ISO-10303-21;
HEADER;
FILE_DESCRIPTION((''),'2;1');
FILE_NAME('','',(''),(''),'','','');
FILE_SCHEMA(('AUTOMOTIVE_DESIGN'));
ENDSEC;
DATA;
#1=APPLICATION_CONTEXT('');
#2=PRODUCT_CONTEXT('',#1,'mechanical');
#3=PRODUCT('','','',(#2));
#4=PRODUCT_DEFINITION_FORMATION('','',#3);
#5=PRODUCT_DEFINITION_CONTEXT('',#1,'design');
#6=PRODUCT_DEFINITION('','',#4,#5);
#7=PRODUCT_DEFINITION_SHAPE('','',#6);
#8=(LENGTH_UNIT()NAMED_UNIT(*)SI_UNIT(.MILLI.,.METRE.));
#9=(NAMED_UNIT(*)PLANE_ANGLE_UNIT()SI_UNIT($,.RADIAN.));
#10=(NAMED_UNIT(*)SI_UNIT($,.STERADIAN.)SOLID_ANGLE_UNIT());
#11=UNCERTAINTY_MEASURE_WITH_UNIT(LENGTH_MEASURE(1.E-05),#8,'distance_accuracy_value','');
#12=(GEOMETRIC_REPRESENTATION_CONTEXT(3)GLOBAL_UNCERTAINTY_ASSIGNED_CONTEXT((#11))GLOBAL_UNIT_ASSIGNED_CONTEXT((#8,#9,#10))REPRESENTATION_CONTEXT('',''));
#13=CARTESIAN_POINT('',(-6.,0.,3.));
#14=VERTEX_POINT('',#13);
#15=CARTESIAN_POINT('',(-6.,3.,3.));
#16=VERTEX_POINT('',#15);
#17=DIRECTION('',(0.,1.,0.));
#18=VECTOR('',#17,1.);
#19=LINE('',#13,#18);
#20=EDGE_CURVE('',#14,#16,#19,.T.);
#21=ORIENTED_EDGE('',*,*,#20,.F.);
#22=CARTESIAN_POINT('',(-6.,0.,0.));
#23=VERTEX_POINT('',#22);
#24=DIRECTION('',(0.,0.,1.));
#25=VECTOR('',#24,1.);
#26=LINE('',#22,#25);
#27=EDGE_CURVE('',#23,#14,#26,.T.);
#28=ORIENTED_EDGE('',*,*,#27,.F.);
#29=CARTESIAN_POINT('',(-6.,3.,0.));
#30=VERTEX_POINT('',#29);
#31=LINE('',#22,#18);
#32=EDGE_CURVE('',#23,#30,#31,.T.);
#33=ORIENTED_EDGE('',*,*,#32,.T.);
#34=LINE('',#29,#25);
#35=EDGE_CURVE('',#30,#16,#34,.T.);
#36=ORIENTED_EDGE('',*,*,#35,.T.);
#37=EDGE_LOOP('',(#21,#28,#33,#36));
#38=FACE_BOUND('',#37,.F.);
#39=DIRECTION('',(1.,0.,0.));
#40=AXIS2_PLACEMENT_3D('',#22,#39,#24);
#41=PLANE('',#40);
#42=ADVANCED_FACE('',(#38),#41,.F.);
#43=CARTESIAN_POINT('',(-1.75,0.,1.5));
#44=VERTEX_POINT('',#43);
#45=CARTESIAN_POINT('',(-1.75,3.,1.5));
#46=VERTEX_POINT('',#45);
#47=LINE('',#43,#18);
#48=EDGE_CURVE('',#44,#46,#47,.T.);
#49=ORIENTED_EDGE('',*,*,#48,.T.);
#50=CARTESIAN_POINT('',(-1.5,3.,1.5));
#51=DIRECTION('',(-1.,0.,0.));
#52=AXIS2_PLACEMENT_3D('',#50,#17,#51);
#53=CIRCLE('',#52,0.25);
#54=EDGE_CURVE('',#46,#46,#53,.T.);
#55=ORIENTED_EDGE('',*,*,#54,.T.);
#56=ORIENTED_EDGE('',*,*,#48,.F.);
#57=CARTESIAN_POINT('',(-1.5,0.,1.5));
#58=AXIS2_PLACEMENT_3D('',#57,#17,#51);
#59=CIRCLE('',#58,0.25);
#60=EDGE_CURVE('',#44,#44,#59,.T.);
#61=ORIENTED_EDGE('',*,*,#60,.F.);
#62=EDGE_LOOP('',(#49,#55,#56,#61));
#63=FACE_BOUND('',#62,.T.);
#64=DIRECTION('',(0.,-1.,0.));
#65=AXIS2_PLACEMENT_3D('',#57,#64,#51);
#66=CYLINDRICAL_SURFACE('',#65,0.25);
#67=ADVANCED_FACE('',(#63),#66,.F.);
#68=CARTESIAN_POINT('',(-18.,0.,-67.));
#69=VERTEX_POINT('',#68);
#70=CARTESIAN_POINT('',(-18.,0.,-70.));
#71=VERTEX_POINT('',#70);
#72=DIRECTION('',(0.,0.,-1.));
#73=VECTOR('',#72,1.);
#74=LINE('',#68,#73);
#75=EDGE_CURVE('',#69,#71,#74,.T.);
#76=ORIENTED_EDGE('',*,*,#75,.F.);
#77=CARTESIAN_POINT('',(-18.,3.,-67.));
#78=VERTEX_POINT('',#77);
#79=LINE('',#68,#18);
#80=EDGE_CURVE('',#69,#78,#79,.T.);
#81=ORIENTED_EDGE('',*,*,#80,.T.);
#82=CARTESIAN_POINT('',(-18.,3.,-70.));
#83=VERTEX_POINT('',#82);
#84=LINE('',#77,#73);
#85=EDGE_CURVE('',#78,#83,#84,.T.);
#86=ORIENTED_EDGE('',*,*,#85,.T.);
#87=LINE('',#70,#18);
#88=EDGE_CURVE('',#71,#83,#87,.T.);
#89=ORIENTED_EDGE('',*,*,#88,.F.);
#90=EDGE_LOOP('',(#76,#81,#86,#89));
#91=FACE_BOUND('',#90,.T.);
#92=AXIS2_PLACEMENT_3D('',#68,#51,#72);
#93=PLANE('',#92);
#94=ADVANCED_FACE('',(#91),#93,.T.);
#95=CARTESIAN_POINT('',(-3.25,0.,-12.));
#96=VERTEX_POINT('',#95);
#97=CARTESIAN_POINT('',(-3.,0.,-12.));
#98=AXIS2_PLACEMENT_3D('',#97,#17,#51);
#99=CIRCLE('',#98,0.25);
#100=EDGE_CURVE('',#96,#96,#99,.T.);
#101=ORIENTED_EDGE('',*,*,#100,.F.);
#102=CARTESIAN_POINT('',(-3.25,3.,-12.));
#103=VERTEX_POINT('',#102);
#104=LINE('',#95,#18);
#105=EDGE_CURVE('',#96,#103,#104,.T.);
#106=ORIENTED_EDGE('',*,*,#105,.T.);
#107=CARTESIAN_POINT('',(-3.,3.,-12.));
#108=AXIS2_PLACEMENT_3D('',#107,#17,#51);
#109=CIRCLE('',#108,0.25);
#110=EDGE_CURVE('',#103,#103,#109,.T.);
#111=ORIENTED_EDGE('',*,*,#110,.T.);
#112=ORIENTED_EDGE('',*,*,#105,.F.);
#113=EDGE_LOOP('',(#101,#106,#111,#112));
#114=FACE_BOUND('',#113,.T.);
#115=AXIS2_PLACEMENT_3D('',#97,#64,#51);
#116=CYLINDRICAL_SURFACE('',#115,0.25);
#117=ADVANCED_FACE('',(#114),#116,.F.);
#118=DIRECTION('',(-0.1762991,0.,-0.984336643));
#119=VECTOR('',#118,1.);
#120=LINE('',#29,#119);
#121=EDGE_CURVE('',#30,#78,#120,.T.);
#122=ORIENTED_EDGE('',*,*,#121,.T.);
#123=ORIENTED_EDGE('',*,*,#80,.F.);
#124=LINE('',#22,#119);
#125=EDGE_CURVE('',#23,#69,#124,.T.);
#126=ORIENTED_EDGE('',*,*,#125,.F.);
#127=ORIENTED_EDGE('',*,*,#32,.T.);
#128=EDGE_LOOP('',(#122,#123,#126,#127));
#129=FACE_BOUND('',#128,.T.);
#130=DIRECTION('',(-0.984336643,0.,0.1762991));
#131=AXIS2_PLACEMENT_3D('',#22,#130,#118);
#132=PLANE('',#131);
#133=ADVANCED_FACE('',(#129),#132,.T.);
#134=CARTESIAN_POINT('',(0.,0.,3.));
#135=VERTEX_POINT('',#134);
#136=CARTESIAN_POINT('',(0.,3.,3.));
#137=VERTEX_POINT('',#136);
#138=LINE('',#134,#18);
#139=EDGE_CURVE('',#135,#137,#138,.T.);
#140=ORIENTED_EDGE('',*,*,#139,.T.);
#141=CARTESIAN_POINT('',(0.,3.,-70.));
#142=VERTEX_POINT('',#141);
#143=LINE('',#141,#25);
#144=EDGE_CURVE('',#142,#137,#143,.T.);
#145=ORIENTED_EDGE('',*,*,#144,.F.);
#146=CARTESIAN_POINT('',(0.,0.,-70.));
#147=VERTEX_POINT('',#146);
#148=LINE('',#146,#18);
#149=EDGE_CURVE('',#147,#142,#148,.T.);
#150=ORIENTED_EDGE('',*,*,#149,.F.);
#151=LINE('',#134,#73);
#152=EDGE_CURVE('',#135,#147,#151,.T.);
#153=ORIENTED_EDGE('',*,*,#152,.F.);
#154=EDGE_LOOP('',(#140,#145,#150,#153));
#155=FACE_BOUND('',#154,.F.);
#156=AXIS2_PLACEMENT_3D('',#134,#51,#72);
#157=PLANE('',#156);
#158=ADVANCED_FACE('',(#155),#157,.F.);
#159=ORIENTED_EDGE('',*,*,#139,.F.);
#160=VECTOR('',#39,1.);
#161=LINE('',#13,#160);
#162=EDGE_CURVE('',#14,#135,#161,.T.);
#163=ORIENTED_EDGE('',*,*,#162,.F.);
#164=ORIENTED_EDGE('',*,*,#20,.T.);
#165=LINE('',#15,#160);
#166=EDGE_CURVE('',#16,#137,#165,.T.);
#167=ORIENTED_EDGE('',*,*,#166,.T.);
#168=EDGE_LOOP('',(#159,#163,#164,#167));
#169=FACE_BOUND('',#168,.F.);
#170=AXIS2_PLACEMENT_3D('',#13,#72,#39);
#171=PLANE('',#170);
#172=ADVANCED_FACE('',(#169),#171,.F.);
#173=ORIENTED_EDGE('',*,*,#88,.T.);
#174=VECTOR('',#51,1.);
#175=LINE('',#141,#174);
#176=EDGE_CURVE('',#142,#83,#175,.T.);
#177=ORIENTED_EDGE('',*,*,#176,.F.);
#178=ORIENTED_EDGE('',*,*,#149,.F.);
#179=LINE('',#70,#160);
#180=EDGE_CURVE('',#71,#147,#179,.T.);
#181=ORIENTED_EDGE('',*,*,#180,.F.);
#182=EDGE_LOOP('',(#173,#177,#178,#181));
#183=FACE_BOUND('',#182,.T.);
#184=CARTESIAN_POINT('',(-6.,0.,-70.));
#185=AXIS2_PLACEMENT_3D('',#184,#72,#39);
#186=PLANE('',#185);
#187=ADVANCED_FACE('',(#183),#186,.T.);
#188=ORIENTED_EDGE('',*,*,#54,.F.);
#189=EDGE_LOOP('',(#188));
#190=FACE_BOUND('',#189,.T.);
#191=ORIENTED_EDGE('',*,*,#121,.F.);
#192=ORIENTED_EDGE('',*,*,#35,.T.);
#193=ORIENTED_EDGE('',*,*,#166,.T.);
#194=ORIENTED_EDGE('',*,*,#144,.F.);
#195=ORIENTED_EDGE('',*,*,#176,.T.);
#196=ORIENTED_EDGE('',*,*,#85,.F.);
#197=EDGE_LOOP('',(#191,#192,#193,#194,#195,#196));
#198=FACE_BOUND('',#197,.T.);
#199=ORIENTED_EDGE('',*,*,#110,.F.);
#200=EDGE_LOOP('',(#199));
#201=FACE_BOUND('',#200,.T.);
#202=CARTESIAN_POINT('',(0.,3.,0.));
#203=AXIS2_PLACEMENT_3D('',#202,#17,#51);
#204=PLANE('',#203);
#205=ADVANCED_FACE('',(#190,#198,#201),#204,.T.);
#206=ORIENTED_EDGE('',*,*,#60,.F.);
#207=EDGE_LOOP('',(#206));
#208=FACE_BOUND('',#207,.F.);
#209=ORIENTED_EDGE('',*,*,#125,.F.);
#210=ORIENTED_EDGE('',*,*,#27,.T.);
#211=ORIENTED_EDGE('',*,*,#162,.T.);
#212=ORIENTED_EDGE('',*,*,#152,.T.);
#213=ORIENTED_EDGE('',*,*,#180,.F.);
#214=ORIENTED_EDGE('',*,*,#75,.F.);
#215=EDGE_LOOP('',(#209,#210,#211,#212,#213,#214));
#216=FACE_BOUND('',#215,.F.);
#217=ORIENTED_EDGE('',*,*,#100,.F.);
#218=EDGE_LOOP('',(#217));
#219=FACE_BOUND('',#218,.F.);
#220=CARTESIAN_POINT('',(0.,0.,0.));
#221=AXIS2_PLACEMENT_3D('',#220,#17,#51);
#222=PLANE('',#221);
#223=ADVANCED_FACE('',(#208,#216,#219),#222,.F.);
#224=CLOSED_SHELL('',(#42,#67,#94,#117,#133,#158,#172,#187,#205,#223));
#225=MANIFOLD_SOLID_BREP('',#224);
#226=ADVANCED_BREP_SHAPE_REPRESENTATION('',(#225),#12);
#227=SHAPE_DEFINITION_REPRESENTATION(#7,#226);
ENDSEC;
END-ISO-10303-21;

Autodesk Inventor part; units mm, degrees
ref_plane "YZ Plane" through (0, 0, 0) normal (1, 0, 0) x (0, 1, 0)
ref_plane "XZ Plane" through (0, 0, 0) normal (0, 1, 0) x (-1, 0, 0)
ref_plane "XY Plane" through (0, 0, 0) normal (0, 0, 1) x (1, 0, 0)
sketch "草圖1" plane through (0, 0, 0) normal (0, 1, 0) x (-1, 0, 0)
  line L0 (0, 0) -> (6, 0)
  line L1 (6, 0) -> (6, -70)
  line L2 (6, -70) -> (0, -70)
  line L3 (0, -70) -> (0, 0)
  line L4 (0, 0) -> (6, 0)
  line L5 (6, 0) -> (6, 3)
  line L6 (6, 3) -> (0, 3)
  line L7 (0, 3) -> (0, 0)
  line L8 (6, 0) -> (18, -67)
  line L9 (18, -67) -> (18, -70)
  line L10 (18, -70) -> (6, -70)
  circle A0 centre (1.5, 1.5) radius 0.25
  circle A1 centre (3, -12) radius 0.25
  point P0 (6, 1.5)
  dimension "d0" = 70
  dimension "d1" = 6
  dimension "d2" = 3
  dimension "d5" = 12
  dimension "d6" = 3
  dimension "d7" = 0.5
  dimension "d8" = 0.5
  dimension "d9" = 15
  dimension "d10" = 3
extrude "擠出1" add sketch "草圖1" along normal blind 3
